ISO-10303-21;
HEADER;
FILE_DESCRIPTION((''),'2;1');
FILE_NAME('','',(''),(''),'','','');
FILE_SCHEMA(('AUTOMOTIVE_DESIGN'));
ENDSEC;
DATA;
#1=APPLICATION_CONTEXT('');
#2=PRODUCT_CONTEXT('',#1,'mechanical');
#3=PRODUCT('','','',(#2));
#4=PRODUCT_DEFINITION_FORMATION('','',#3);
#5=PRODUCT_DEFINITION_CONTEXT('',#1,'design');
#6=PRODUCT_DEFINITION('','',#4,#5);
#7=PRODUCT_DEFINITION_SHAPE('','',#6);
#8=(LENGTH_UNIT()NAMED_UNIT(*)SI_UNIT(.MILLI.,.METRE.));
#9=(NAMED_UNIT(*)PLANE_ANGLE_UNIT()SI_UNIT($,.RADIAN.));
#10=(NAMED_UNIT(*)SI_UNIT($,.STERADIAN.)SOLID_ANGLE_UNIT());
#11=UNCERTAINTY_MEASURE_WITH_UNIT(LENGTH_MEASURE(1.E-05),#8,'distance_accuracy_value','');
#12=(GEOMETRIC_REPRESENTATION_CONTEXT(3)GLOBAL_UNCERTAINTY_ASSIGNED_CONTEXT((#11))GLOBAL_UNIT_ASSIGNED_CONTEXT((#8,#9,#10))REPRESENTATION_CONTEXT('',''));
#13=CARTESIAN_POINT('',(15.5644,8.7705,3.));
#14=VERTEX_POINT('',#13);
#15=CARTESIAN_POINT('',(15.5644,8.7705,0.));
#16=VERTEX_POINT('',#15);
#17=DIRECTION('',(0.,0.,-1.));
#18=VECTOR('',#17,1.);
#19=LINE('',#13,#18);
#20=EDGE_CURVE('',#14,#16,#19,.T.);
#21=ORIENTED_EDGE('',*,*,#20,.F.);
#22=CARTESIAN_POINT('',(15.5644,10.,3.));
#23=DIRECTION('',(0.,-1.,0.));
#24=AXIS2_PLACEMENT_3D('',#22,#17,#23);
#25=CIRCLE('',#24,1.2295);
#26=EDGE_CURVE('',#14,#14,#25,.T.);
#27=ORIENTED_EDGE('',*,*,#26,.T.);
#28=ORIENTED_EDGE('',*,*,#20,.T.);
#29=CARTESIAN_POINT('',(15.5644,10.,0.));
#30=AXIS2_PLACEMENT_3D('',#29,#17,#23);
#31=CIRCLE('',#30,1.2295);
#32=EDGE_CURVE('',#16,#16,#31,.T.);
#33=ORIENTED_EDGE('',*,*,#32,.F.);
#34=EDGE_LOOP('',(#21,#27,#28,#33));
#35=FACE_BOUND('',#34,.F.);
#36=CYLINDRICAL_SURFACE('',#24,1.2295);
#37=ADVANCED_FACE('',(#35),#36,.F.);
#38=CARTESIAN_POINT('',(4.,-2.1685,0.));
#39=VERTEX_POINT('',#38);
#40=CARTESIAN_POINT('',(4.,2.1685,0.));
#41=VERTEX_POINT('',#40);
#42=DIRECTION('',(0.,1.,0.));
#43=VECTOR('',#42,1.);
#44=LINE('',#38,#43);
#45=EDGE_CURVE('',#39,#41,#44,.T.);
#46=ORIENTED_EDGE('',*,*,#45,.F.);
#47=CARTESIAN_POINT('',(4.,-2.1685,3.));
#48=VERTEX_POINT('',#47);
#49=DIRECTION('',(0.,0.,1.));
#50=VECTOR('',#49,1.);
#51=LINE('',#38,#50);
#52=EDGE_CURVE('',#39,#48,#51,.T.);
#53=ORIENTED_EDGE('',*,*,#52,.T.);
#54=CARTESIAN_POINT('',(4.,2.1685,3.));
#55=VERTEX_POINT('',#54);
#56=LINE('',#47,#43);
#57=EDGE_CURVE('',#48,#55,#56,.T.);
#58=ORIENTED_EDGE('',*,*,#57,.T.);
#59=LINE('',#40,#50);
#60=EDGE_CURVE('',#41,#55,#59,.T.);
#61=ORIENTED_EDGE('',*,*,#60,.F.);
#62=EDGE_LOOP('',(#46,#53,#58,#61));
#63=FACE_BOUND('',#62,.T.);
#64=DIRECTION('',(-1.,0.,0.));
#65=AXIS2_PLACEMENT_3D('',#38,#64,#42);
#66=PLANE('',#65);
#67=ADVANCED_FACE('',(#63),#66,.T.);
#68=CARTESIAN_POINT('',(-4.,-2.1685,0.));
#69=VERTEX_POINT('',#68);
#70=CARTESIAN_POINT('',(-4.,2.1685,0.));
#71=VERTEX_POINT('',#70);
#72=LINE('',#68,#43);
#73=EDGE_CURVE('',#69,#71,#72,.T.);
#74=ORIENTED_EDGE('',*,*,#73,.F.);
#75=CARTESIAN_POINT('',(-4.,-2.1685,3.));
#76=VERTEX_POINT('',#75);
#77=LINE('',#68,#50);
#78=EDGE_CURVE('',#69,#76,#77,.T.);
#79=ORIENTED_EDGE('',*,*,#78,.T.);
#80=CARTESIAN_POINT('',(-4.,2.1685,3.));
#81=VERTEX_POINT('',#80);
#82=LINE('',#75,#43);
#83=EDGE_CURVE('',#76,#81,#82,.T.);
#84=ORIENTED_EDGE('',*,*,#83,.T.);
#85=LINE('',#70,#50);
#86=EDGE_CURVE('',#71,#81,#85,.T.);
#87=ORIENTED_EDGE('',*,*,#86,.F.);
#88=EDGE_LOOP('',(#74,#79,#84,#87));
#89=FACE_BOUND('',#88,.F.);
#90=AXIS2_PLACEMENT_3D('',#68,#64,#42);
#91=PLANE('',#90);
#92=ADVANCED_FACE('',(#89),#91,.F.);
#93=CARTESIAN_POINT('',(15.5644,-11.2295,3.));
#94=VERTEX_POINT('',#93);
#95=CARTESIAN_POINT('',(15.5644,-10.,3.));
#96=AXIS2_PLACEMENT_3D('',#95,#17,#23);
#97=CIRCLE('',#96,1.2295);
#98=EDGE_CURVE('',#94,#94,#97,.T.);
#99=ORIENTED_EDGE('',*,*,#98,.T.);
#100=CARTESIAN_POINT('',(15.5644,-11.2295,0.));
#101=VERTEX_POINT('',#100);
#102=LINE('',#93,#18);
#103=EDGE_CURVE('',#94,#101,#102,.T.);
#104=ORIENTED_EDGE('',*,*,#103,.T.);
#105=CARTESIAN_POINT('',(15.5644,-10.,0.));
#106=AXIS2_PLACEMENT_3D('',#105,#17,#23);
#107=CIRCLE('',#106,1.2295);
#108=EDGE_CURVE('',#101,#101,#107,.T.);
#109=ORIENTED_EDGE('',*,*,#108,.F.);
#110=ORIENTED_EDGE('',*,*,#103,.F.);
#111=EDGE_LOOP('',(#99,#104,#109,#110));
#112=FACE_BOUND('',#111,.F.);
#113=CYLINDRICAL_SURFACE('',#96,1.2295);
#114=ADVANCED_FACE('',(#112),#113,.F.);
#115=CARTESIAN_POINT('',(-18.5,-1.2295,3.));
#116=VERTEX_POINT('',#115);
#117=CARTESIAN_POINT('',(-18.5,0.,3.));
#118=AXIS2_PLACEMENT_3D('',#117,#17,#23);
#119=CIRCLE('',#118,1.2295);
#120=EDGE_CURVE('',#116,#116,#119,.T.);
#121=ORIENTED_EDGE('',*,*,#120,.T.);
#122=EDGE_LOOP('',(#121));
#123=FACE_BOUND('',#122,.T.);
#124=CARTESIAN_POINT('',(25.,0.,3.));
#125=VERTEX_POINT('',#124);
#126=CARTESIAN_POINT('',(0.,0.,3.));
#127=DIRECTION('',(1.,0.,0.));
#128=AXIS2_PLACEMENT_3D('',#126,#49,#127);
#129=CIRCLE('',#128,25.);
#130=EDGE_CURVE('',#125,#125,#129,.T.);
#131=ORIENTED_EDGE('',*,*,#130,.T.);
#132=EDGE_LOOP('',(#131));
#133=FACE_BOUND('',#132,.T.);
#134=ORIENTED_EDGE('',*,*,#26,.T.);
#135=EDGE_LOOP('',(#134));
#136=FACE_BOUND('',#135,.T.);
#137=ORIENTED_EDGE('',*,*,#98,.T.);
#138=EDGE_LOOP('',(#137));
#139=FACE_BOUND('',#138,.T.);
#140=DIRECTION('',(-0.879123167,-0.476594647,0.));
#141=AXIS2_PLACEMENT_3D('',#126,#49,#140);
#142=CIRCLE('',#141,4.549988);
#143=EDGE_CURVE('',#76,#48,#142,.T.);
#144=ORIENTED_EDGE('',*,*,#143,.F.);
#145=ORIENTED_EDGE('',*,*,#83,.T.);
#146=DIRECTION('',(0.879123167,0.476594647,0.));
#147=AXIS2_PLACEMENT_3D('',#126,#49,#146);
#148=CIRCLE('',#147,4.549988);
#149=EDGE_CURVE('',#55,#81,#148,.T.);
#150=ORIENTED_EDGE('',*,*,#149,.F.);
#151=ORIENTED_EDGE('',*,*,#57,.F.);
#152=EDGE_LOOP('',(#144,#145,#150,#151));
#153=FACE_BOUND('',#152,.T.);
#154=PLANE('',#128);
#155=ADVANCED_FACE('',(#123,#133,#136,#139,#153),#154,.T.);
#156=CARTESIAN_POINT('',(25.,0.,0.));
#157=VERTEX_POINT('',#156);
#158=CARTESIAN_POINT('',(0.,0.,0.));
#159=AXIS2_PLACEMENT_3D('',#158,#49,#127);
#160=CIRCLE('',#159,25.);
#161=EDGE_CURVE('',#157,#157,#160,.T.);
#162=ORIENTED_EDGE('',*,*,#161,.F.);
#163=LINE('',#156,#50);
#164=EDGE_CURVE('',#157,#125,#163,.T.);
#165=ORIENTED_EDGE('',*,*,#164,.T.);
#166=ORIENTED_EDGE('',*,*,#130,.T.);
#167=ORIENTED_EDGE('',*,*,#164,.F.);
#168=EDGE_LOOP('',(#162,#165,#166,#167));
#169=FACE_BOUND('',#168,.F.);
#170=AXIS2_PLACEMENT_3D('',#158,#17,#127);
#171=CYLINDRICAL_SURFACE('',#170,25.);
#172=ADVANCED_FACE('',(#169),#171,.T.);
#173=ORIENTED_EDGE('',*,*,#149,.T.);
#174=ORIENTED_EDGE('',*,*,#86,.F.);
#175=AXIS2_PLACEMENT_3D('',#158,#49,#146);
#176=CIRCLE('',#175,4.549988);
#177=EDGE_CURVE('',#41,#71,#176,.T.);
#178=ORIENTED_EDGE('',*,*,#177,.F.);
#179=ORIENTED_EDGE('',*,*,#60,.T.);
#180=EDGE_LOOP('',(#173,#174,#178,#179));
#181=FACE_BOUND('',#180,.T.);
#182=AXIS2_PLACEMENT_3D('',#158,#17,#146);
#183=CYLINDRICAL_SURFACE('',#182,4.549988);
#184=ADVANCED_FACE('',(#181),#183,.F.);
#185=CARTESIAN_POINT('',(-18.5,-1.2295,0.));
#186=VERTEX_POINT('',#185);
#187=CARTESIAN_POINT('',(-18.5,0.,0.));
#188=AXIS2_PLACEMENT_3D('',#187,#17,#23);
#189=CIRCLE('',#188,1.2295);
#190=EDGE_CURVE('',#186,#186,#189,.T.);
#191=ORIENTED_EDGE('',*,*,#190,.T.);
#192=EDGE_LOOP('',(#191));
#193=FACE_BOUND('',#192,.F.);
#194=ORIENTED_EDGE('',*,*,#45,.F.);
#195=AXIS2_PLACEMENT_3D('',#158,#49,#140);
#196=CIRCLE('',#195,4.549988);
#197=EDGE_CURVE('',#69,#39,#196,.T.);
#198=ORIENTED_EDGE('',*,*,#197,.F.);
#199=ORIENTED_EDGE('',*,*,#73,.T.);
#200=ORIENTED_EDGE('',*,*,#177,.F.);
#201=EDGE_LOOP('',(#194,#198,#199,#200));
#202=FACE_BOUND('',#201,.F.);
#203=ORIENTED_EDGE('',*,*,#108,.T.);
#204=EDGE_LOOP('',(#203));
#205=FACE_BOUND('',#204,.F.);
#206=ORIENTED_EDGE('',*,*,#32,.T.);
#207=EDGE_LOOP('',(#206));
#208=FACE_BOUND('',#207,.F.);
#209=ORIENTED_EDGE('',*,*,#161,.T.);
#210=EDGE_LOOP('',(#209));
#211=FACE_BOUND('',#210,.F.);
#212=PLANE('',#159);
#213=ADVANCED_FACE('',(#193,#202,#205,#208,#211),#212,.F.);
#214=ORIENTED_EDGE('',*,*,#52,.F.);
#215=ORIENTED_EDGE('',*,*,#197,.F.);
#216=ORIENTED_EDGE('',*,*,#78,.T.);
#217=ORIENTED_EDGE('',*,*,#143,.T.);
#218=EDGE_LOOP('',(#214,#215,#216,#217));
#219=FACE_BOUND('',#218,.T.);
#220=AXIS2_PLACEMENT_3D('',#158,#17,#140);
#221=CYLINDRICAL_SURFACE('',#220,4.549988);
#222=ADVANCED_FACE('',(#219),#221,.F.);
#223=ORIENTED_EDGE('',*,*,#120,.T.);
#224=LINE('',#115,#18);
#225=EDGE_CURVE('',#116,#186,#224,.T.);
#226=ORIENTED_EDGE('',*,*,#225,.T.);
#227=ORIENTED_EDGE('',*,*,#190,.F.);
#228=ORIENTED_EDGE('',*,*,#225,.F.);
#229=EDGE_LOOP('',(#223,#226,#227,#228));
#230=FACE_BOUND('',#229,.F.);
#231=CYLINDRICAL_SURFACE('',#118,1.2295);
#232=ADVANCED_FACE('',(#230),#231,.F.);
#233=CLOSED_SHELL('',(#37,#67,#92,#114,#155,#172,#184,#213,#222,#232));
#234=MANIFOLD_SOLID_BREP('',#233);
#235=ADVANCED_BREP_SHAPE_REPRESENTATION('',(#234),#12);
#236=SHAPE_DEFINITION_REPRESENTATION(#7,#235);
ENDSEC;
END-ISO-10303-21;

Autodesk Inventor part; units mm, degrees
ref_plane "Plan YZ" through (0, 0, 0) normal (1, 0, 0) x (0, 1, 0)
ref_plane "Plan XZ" through (0, 0, 0) normal (0, 1, 0) x (-1, 0, 0)
ref_plane "Plan XY" through (0, 0, 0) normal (0, 0, 1) x (1, 0, 0)
sketch "Esquisse1" plane through (0, 0, 0) normal (0, 0, 1) x (1, 0, 0)
  circle A0 centre (0, 0) radius 25
  arc A1 (4, 2.1685) -> (-4, 2.1685) centre (0, 0) ccw
  line L0 (-4, -2.1685) -> (-4, 2.1685)
  arc A2 (-4, -2.1685) -> (4, -2.1685) centre (0, 0) ccw
  line L1 (4, -2.1685) -> (4, 2.1685)
  line L2 (0, -35) -> (0, 35) construction
  line L3 (-35, 0) -> (35, 0) construction
  point P0 (0, 0)
  dimension "d0" = 50
  dimension "d1" = 8
  dimension "d2" = 4.55
extrude "Extrusion1" add sketch "Esquisse1" along normal blind 3
sketch "Esquisse6" plane through (0, 0, 3) normal (0, 0, 1) x (1, 0, 0)
  line L0 (-35, 0) -> (35, 0) construction
  line L1 (0, -35) -> (0, 35) construction
  circle A0 centre (0, 0) radius 18.5 construction
  point P0 (-18.5, 0)
  point P1 (15.5644, -10)
  point P2 (15.5644, 10)
  dimension "d5" = 37
  dimension "d6" = 20
hole "Perçage1" at (-18.5, 0, 3) at (15.5644, -10, 3) at (15.5644, 10, 3) direction (0, 0, -1) diameter 2.459 end through all thread size "M3x0.5" class "6H" standard "ISO M"
properties part number "Couvercle_haut" material "Plastique PMMA"
